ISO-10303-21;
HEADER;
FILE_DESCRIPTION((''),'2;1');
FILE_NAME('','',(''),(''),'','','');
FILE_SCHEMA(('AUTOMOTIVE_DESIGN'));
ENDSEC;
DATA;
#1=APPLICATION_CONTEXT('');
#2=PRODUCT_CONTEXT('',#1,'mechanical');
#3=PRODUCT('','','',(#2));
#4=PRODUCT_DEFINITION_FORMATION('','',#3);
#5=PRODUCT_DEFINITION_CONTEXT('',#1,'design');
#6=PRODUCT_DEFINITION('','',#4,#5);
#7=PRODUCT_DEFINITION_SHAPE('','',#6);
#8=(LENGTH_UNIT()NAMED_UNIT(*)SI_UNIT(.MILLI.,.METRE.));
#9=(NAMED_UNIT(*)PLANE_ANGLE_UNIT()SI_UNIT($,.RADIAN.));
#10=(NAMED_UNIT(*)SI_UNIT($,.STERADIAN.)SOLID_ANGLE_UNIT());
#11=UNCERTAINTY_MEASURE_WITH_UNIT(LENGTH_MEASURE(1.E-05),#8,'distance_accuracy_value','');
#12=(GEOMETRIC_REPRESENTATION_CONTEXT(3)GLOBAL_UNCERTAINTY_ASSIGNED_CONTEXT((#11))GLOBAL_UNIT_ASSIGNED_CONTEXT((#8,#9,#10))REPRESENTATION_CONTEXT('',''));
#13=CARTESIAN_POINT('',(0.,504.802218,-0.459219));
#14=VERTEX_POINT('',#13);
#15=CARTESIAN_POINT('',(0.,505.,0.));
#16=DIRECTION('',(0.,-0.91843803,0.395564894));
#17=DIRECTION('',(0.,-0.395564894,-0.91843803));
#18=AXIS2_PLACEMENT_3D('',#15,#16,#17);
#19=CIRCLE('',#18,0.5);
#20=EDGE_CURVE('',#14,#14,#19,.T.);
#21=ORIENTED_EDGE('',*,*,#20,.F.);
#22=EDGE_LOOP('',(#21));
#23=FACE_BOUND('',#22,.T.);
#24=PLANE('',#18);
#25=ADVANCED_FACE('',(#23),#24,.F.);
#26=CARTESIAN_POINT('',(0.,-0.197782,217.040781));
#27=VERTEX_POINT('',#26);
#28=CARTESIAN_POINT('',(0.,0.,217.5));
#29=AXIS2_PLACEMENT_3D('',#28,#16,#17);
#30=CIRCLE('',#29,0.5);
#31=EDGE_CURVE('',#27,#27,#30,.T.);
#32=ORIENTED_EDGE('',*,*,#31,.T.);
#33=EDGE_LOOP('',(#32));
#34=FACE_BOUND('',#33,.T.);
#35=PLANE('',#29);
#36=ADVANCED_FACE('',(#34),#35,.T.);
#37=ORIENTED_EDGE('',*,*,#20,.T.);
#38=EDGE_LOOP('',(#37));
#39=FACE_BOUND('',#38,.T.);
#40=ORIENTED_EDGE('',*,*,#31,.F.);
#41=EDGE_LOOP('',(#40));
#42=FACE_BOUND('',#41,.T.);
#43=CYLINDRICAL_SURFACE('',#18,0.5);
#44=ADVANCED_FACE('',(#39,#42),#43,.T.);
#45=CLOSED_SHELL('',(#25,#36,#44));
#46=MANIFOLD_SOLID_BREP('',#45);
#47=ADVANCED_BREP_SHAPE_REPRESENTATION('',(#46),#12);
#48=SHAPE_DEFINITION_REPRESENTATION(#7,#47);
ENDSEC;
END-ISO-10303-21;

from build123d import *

# Parameters (mm, degrees)
SWEEP_2_PROFILE_R = 0.5


with BuildPart() as part:
    # 扫描2: sweep along a path in 草图3
    with BuildLine(Plane(origin=(0, 0, 0), x_dir=(0, 0, -1), z_dir=(1, 0, 0))) as sweep_2_path:
        Line((0, 505), (-217.5, 0))
    # 扫描2 profile (on start of the path) → 扫描2 (sweep)
    with BuildSketch(Plane(origin=(0, 505, 0), x_dir=(0, -0.395564894, -0.91843803), z_dir=(0, -0.91843803, 0.395564894))):
        Circle(SWEEP_2_PROFILE_R)
    sweep(path=sweep_2_path.line)


solid = part.part
